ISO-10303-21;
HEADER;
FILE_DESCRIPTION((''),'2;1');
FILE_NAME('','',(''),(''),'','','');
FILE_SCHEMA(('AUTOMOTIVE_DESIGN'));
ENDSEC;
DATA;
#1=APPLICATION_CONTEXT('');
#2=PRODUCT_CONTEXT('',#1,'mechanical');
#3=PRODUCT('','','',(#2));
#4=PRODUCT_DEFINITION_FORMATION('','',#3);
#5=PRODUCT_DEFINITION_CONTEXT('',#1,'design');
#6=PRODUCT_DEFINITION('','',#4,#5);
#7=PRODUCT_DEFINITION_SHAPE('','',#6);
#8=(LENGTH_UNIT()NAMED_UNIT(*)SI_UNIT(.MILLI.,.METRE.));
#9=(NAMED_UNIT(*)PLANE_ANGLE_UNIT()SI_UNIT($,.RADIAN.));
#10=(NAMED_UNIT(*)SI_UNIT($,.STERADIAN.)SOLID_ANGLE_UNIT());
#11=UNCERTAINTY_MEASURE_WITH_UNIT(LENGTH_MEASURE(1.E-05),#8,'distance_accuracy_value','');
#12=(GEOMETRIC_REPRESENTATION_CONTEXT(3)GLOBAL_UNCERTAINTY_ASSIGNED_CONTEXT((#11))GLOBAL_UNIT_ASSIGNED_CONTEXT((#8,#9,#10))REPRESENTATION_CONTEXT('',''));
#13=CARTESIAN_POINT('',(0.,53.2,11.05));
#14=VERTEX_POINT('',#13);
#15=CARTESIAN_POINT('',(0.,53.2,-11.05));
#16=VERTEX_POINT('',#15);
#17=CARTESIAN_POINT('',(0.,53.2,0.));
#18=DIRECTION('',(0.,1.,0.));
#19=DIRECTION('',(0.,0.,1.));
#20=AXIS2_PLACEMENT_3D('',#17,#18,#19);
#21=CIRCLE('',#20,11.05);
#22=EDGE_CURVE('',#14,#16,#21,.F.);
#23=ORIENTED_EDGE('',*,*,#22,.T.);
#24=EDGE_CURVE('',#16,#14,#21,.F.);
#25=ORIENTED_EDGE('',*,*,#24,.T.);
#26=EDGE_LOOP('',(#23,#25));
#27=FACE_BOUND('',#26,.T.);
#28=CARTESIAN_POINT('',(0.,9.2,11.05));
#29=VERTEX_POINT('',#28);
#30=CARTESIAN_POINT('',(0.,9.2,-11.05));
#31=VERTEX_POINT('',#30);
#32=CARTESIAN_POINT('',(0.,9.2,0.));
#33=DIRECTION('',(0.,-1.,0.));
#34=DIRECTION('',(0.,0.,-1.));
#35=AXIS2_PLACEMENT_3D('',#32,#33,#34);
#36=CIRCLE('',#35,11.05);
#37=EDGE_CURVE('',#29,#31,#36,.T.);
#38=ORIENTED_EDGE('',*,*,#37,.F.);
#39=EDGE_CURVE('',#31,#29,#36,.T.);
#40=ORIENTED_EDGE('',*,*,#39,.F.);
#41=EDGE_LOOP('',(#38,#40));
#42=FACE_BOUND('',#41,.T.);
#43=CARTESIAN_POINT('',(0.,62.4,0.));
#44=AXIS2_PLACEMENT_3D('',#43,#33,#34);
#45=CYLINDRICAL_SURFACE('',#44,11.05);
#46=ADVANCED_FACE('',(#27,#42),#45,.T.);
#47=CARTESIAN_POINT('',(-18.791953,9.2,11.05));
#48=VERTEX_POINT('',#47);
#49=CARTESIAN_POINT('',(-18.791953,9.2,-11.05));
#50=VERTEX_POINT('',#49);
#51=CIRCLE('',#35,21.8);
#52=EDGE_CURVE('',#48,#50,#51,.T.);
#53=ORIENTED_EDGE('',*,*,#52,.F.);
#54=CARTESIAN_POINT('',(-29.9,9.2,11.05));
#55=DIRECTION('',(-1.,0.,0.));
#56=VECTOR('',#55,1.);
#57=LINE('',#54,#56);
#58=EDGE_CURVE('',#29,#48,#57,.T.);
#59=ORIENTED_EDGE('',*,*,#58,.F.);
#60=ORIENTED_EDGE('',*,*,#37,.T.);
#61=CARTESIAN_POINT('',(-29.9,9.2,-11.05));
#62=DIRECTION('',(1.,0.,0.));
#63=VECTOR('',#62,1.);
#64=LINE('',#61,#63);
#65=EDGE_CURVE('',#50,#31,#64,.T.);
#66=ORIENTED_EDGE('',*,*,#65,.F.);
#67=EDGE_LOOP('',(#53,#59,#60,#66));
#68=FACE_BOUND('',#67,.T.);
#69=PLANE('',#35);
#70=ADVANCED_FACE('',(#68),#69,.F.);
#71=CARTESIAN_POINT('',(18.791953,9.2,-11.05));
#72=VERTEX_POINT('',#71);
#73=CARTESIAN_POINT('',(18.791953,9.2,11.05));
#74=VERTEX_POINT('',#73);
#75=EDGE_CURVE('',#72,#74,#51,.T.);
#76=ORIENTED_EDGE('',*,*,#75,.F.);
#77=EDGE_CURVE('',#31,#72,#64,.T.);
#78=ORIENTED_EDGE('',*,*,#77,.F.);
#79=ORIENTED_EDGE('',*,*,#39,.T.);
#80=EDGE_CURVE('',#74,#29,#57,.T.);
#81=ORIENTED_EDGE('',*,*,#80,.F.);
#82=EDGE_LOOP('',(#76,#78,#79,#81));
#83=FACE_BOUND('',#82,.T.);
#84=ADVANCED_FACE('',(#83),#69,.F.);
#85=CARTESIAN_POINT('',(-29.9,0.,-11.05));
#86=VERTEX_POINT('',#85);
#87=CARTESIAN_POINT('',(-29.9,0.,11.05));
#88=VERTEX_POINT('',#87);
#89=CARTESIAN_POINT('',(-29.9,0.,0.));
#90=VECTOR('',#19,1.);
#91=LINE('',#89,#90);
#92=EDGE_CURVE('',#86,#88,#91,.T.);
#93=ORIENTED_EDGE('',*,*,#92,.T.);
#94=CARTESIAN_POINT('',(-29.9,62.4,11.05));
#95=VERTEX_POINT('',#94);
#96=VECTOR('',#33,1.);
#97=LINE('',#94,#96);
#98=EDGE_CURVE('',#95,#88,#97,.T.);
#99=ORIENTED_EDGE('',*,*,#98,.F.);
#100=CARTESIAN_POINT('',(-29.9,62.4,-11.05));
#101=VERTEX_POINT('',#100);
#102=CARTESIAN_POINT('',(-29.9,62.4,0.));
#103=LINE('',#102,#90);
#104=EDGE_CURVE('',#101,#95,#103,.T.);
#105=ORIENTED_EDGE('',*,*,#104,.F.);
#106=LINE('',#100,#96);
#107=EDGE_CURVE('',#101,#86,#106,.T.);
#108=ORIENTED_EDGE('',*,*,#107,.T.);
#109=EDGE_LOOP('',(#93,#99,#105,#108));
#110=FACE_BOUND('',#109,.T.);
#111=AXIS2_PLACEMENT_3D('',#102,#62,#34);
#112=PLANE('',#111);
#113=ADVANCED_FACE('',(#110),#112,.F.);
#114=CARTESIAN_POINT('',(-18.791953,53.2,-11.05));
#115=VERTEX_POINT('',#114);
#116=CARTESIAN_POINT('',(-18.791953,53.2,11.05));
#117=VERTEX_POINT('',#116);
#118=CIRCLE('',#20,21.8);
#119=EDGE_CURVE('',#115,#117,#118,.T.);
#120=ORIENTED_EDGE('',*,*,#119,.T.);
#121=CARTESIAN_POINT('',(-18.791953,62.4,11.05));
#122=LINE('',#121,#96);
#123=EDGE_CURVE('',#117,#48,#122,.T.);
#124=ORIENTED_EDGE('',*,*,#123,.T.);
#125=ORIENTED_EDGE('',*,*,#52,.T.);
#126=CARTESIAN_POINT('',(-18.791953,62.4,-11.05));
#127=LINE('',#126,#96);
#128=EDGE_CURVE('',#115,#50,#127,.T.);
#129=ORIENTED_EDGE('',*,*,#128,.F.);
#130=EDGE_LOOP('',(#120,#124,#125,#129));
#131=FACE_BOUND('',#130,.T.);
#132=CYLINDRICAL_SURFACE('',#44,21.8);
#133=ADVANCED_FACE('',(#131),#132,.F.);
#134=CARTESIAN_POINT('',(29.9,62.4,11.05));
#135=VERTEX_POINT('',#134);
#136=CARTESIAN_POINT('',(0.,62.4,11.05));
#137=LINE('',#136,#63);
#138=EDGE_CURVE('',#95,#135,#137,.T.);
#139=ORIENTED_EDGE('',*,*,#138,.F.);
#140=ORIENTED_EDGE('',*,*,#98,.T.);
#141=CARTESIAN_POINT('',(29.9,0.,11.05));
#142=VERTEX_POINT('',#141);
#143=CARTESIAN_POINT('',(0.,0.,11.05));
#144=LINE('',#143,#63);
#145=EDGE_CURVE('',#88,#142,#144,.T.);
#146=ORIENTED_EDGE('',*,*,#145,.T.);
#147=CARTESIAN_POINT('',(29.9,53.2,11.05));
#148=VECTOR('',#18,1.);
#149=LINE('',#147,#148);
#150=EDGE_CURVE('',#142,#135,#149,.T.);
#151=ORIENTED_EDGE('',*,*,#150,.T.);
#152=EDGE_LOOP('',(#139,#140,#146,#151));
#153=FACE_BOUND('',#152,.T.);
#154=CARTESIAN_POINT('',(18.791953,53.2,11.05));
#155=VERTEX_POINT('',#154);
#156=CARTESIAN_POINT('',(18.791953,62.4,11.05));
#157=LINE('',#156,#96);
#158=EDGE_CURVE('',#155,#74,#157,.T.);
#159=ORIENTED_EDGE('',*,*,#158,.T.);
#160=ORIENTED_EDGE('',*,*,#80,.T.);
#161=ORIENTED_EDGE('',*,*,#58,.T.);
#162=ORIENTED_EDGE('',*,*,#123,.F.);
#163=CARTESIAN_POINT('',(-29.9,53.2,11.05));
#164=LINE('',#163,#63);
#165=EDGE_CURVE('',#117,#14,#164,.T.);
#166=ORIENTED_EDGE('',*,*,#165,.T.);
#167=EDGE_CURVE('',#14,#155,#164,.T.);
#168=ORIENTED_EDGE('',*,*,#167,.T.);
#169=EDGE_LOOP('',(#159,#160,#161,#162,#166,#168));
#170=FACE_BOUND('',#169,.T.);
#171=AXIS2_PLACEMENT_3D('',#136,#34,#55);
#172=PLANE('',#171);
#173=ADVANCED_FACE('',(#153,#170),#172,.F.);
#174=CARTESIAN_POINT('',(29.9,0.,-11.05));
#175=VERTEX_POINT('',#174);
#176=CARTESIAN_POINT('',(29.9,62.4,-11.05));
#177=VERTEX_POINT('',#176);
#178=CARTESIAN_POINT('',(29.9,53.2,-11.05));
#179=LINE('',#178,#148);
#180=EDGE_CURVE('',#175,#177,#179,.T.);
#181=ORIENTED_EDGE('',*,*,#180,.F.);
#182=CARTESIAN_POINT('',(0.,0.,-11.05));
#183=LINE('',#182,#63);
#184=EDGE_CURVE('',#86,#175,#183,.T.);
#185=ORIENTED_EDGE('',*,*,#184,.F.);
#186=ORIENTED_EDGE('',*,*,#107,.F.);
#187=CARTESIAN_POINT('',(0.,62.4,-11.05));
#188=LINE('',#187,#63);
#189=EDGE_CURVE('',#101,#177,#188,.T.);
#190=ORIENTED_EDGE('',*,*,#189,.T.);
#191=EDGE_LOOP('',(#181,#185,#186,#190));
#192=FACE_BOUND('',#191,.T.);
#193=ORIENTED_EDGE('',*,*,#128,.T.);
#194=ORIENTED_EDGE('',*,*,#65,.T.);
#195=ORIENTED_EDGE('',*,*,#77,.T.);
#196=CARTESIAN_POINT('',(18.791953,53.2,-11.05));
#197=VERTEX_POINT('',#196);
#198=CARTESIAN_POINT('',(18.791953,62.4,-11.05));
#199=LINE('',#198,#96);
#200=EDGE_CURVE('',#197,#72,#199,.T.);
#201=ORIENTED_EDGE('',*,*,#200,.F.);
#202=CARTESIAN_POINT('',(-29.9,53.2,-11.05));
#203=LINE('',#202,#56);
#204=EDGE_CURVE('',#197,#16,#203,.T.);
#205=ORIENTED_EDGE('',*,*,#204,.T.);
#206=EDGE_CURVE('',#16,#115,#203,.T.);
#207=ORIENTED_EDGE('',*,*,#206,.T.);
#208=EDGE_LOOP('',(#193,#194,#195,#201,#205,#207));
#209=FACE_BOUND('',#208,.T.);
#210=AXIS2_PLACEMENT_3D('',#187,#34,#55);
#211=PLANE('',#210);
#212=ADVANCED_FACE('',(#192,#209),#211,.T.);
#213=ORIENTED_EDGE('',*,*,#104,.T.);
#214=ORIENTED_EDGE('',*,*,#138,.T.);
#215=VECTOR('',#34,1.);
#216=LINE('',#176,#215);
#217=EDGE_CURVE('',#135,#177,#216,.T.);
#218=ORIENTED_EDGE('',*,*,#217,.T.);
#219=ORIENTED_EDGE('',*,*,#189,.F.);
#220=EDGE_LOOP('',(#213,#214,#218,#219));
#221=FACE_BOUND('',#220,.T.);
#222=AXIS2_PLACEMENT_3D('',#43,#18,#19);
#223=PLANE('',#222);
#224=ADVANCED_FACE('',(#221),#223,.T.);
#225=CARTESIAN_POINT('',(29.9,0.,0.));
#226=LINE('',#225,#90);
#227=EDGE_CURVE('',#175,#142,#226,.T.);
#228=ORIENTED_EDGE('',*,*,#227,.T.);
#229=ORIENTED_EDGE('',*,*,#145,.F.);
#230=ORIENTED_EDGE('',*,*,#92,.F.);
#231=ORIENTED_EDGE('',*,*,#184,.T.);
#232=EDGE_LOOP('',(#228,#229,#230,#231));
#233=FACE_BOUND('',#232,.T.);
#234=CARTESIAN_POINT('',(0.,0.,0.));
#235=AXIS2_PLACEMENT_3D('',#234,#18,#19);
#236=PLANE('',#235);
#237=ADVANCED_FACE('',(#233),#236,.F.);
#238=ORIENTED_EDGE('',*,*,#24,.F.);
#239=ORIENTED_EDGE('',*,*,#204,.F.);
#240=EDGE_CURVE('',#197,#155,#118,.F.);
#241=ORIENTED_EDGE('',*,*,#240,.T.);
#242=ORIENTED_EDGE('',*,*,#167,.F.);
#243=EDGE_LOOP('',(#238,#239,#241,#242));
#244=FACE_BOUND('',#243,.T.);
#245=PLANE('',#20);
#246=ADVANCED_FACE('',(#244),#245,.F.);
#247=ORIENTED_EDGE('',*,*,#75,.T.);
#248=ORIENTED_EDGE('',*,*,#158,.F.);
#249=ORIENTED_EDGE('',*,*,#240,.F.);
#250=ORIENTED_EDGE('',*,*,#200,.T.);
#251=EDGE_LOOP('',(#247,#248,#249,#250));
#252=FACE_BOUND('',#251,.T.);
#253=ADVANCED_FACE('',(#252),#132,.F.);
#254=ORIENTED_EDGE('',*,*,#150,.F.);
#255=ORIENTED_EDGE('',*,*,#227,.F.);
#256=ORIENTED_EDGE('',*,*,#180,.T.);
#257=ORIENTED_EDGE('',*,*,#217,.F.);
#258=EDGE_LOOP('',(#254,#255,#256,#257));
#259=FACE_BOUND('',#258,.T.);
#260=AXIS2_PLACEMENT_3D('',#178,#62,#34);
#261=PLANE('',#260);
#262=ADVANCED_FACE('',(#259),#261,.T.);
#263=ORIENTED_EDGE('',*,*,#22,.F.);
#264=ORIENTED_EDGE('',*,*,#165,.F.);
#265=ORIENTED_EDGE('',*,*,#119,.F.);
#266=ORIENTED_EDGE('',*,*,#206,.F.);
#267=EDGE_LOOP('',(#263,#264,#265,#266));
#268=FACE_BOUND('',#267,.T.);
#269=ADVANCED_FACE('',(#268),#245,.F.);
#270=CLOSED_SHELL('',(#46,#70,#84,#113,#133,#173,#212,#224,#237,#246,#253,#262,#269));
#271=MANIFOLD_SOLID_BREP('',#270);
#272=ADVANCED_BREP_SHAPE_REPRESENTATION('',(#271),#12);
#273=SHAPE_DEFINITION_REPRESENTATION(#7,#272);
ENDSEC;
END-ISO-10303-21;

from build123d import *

# Parameters (mm, degrees)
BOSS_EXTRUDE1_DEPTH   = 62.4
SKETCH1_R             = 11.05
BOSS_EXTRUDE1_2_DEPTH = 62.4
BOSS_EXTRUDE1_3_DEPTH = 62.4
SKETCH2_W             = 59.8
SKETCH2_H             = 22.1
BOSS_EXTRUDE2_DEPTH   = 9.2
SKETCH3_W             = 59.8
SKETCH3_H             = 22.1
BOSS_EXTRUDE3_DEPTH   = 9.2


with BuildPart() as part:
    # Sketch1 → Boss-Extrude1 (new body)
    with BuildSketch(Plane(origin=(0, 0, 0), x_dir=(1, 0, 0), z_dir=(0, 1, 0))):
        with BuildLine():
            Line((-18.791953065, 11.05), (-29.9, 11.05))
            Line((-29.9, 11.05), (-29.9, -11.05))
            Line((-29.9, -11.05), (-18.791953065, -11.05))
            ThreePointArc((-18.791953065, -11.05), (-21.8, 0), (-18.791953065, 11.05))
        make_face()
    extrude(amount=BOSS_EXTRUDE1_DEPTH)



with BuildPart() as body_2:
    # Sketch1 → Boss-Extrude1 2 (new body)
    with BuildSketch(Plane(origin=(0, 0, 0), x_dir=(1, 0, 0), z_dir=(0, 1, 0))):
        Circle(SKETCH1_R)
    extrude(amount=BOSS_EXTRUDE1_2_DEPTH)


with BuildPart() as body_3:
    # Sketch1 → Boss-Extrude1 3 (new body)
    with BuildSketch(Plane(origin=(0, 0, 0), x_dir=(1, 0, 0), z_dir=(0, 1, 0))):
        with BuildLine():
            Line((29.9, 11.05), (18.791953065, 11.05))
            ThreePointArc((18.791953065, 11.05), (21.034549874, 5.7260555), (21.8, 0))
            ThreePointArc((21.8, 0), (21.034549874, -5.7260555), (18.791953065, -11.05))
            Line((18.791953065, -11.05), (29.9, -11.05))
            Line((29.9, -11.05), (29.9, 11.05))
        make_face()
    extrude(amount=BOSS_EXTRUDE1_3_DEPTH)


with BuildPart() as part_1:
    add(part.part)

    add(body_2.part)  # Boss-Extrude2 merges body 2

    add(body_3.part)  # Boss-Extrude2 merges body 3
    # Sketch2 → Boss-Extrude2 (add)
    with BuildSketch(Plane(origin=(0, 62.4, 0), x_dir=(1, 0, 0), z_dir=(0, 1, 0))):
        Rectangle(SKETCH2_W, SKETCH2_H)
    extrude(amount=-BOSS_EXTRUDE2_DEPTH)

    # Sketch3 → Boss-Extrude3 (add)
    with BuildSketch(Plane.XZ):
        Rectangle(SKETCH3_W, SKETCH3_H)
    extrude(amount=-BOSS_EXTRUDE3_DEPTH)


solid = part_1.part
